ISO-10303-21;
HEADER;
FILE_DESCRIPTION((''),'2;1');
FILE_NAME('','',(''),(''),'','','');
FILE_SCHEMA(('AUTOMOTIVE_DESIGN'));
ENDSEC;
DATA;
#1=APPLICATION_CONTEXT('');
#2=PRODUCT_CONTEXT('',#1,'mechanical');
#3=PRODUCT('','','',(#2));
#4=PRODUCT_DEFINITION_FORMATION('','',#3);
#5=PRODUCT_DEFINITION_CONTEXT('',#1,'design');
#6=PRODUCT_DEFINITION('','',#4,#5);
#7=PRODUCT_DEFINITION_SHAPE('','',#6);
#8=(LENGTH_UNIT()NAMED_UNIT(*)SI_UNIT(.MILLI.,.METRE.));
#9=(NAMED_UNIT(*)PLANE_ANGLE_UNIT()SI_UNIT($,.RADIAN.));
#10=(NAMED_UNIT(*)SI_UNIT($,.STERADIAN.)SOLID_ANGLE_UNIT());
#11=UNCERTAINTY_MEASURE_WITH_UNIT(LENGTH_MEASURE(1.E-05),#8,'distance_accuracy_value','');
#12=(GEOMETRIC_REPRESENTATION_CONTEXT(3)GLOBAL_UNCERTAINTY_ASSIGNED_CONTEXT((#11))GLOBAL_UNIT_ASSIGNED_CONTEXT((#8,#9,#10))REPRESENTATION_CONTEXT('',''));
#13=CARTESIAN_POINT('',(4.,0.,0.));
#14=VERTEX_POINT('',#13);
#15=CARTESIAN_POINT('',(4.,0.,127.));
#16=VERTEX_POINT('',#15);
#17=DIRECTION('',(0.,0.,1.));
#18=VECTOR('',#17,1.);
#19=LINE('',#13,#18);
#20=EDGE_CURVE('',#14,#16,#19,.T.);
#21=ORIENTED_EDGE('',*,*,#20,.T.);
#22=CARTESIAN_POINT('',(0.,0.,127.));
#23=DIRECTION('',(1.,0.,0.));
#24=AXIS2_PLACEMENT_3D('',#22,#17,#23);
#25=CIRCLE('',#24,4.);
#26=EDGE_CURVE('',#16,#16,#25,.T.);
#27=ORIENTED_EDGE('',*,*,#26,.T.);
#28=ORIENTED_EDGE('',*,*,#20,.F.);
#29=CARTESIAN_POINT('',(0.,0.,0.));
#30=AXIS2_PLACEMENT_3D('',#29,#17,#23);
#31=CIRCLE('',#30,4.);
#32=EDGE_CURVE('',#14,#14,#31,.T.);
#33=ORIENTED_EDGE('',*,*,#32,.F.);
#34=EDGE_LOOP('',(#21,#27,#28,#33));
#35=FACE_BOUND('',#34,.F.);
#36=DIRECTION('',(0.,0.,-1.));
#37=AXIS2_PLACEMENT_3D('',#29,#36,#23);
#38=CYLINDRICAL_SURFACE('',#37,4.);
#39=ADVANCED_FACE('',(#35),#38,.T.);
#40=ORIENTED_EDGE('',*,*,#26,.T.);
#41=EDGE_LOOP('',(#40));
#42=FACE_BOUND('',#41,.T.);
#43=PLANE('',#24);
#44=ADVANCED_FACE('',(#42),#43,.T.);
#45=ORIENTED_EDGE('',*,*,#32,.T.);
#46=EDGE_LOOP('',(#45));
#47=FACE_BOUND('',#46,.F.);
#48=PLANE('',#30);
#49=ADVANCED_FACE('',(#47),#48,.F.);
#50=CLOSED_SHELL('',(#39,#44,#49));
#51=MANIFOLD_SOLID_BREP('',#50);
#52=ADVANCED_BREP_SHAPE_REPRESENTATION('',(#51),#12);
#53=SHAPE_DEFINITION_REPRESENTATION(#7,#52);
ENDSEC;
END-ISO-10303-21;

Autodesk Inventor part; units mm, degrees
ref_plane "YZ Plane" through (0, 0, 0) normal (1, 0, 0) x (0, 1, 0)
ref_plane "XZ Plane" through (0, 0, 0) normal (0, 1, 0) x (-1, 0, 0)
ref_plane "XY Plane" through (0, 0, 0) normal (0, 0, 1) x (1, 0, 0)
sketch "Sketch1" plane through (0, 0, 0) normal (0, 0, 1) x (1, 0, 0)
  circle A0 centre (0, 0) radius 4
  dimension "d0" = 8
extrude "Extrusion1" add sketch "Sketch1" along normal blind 127
properties part number "Diff Output Shaft"
